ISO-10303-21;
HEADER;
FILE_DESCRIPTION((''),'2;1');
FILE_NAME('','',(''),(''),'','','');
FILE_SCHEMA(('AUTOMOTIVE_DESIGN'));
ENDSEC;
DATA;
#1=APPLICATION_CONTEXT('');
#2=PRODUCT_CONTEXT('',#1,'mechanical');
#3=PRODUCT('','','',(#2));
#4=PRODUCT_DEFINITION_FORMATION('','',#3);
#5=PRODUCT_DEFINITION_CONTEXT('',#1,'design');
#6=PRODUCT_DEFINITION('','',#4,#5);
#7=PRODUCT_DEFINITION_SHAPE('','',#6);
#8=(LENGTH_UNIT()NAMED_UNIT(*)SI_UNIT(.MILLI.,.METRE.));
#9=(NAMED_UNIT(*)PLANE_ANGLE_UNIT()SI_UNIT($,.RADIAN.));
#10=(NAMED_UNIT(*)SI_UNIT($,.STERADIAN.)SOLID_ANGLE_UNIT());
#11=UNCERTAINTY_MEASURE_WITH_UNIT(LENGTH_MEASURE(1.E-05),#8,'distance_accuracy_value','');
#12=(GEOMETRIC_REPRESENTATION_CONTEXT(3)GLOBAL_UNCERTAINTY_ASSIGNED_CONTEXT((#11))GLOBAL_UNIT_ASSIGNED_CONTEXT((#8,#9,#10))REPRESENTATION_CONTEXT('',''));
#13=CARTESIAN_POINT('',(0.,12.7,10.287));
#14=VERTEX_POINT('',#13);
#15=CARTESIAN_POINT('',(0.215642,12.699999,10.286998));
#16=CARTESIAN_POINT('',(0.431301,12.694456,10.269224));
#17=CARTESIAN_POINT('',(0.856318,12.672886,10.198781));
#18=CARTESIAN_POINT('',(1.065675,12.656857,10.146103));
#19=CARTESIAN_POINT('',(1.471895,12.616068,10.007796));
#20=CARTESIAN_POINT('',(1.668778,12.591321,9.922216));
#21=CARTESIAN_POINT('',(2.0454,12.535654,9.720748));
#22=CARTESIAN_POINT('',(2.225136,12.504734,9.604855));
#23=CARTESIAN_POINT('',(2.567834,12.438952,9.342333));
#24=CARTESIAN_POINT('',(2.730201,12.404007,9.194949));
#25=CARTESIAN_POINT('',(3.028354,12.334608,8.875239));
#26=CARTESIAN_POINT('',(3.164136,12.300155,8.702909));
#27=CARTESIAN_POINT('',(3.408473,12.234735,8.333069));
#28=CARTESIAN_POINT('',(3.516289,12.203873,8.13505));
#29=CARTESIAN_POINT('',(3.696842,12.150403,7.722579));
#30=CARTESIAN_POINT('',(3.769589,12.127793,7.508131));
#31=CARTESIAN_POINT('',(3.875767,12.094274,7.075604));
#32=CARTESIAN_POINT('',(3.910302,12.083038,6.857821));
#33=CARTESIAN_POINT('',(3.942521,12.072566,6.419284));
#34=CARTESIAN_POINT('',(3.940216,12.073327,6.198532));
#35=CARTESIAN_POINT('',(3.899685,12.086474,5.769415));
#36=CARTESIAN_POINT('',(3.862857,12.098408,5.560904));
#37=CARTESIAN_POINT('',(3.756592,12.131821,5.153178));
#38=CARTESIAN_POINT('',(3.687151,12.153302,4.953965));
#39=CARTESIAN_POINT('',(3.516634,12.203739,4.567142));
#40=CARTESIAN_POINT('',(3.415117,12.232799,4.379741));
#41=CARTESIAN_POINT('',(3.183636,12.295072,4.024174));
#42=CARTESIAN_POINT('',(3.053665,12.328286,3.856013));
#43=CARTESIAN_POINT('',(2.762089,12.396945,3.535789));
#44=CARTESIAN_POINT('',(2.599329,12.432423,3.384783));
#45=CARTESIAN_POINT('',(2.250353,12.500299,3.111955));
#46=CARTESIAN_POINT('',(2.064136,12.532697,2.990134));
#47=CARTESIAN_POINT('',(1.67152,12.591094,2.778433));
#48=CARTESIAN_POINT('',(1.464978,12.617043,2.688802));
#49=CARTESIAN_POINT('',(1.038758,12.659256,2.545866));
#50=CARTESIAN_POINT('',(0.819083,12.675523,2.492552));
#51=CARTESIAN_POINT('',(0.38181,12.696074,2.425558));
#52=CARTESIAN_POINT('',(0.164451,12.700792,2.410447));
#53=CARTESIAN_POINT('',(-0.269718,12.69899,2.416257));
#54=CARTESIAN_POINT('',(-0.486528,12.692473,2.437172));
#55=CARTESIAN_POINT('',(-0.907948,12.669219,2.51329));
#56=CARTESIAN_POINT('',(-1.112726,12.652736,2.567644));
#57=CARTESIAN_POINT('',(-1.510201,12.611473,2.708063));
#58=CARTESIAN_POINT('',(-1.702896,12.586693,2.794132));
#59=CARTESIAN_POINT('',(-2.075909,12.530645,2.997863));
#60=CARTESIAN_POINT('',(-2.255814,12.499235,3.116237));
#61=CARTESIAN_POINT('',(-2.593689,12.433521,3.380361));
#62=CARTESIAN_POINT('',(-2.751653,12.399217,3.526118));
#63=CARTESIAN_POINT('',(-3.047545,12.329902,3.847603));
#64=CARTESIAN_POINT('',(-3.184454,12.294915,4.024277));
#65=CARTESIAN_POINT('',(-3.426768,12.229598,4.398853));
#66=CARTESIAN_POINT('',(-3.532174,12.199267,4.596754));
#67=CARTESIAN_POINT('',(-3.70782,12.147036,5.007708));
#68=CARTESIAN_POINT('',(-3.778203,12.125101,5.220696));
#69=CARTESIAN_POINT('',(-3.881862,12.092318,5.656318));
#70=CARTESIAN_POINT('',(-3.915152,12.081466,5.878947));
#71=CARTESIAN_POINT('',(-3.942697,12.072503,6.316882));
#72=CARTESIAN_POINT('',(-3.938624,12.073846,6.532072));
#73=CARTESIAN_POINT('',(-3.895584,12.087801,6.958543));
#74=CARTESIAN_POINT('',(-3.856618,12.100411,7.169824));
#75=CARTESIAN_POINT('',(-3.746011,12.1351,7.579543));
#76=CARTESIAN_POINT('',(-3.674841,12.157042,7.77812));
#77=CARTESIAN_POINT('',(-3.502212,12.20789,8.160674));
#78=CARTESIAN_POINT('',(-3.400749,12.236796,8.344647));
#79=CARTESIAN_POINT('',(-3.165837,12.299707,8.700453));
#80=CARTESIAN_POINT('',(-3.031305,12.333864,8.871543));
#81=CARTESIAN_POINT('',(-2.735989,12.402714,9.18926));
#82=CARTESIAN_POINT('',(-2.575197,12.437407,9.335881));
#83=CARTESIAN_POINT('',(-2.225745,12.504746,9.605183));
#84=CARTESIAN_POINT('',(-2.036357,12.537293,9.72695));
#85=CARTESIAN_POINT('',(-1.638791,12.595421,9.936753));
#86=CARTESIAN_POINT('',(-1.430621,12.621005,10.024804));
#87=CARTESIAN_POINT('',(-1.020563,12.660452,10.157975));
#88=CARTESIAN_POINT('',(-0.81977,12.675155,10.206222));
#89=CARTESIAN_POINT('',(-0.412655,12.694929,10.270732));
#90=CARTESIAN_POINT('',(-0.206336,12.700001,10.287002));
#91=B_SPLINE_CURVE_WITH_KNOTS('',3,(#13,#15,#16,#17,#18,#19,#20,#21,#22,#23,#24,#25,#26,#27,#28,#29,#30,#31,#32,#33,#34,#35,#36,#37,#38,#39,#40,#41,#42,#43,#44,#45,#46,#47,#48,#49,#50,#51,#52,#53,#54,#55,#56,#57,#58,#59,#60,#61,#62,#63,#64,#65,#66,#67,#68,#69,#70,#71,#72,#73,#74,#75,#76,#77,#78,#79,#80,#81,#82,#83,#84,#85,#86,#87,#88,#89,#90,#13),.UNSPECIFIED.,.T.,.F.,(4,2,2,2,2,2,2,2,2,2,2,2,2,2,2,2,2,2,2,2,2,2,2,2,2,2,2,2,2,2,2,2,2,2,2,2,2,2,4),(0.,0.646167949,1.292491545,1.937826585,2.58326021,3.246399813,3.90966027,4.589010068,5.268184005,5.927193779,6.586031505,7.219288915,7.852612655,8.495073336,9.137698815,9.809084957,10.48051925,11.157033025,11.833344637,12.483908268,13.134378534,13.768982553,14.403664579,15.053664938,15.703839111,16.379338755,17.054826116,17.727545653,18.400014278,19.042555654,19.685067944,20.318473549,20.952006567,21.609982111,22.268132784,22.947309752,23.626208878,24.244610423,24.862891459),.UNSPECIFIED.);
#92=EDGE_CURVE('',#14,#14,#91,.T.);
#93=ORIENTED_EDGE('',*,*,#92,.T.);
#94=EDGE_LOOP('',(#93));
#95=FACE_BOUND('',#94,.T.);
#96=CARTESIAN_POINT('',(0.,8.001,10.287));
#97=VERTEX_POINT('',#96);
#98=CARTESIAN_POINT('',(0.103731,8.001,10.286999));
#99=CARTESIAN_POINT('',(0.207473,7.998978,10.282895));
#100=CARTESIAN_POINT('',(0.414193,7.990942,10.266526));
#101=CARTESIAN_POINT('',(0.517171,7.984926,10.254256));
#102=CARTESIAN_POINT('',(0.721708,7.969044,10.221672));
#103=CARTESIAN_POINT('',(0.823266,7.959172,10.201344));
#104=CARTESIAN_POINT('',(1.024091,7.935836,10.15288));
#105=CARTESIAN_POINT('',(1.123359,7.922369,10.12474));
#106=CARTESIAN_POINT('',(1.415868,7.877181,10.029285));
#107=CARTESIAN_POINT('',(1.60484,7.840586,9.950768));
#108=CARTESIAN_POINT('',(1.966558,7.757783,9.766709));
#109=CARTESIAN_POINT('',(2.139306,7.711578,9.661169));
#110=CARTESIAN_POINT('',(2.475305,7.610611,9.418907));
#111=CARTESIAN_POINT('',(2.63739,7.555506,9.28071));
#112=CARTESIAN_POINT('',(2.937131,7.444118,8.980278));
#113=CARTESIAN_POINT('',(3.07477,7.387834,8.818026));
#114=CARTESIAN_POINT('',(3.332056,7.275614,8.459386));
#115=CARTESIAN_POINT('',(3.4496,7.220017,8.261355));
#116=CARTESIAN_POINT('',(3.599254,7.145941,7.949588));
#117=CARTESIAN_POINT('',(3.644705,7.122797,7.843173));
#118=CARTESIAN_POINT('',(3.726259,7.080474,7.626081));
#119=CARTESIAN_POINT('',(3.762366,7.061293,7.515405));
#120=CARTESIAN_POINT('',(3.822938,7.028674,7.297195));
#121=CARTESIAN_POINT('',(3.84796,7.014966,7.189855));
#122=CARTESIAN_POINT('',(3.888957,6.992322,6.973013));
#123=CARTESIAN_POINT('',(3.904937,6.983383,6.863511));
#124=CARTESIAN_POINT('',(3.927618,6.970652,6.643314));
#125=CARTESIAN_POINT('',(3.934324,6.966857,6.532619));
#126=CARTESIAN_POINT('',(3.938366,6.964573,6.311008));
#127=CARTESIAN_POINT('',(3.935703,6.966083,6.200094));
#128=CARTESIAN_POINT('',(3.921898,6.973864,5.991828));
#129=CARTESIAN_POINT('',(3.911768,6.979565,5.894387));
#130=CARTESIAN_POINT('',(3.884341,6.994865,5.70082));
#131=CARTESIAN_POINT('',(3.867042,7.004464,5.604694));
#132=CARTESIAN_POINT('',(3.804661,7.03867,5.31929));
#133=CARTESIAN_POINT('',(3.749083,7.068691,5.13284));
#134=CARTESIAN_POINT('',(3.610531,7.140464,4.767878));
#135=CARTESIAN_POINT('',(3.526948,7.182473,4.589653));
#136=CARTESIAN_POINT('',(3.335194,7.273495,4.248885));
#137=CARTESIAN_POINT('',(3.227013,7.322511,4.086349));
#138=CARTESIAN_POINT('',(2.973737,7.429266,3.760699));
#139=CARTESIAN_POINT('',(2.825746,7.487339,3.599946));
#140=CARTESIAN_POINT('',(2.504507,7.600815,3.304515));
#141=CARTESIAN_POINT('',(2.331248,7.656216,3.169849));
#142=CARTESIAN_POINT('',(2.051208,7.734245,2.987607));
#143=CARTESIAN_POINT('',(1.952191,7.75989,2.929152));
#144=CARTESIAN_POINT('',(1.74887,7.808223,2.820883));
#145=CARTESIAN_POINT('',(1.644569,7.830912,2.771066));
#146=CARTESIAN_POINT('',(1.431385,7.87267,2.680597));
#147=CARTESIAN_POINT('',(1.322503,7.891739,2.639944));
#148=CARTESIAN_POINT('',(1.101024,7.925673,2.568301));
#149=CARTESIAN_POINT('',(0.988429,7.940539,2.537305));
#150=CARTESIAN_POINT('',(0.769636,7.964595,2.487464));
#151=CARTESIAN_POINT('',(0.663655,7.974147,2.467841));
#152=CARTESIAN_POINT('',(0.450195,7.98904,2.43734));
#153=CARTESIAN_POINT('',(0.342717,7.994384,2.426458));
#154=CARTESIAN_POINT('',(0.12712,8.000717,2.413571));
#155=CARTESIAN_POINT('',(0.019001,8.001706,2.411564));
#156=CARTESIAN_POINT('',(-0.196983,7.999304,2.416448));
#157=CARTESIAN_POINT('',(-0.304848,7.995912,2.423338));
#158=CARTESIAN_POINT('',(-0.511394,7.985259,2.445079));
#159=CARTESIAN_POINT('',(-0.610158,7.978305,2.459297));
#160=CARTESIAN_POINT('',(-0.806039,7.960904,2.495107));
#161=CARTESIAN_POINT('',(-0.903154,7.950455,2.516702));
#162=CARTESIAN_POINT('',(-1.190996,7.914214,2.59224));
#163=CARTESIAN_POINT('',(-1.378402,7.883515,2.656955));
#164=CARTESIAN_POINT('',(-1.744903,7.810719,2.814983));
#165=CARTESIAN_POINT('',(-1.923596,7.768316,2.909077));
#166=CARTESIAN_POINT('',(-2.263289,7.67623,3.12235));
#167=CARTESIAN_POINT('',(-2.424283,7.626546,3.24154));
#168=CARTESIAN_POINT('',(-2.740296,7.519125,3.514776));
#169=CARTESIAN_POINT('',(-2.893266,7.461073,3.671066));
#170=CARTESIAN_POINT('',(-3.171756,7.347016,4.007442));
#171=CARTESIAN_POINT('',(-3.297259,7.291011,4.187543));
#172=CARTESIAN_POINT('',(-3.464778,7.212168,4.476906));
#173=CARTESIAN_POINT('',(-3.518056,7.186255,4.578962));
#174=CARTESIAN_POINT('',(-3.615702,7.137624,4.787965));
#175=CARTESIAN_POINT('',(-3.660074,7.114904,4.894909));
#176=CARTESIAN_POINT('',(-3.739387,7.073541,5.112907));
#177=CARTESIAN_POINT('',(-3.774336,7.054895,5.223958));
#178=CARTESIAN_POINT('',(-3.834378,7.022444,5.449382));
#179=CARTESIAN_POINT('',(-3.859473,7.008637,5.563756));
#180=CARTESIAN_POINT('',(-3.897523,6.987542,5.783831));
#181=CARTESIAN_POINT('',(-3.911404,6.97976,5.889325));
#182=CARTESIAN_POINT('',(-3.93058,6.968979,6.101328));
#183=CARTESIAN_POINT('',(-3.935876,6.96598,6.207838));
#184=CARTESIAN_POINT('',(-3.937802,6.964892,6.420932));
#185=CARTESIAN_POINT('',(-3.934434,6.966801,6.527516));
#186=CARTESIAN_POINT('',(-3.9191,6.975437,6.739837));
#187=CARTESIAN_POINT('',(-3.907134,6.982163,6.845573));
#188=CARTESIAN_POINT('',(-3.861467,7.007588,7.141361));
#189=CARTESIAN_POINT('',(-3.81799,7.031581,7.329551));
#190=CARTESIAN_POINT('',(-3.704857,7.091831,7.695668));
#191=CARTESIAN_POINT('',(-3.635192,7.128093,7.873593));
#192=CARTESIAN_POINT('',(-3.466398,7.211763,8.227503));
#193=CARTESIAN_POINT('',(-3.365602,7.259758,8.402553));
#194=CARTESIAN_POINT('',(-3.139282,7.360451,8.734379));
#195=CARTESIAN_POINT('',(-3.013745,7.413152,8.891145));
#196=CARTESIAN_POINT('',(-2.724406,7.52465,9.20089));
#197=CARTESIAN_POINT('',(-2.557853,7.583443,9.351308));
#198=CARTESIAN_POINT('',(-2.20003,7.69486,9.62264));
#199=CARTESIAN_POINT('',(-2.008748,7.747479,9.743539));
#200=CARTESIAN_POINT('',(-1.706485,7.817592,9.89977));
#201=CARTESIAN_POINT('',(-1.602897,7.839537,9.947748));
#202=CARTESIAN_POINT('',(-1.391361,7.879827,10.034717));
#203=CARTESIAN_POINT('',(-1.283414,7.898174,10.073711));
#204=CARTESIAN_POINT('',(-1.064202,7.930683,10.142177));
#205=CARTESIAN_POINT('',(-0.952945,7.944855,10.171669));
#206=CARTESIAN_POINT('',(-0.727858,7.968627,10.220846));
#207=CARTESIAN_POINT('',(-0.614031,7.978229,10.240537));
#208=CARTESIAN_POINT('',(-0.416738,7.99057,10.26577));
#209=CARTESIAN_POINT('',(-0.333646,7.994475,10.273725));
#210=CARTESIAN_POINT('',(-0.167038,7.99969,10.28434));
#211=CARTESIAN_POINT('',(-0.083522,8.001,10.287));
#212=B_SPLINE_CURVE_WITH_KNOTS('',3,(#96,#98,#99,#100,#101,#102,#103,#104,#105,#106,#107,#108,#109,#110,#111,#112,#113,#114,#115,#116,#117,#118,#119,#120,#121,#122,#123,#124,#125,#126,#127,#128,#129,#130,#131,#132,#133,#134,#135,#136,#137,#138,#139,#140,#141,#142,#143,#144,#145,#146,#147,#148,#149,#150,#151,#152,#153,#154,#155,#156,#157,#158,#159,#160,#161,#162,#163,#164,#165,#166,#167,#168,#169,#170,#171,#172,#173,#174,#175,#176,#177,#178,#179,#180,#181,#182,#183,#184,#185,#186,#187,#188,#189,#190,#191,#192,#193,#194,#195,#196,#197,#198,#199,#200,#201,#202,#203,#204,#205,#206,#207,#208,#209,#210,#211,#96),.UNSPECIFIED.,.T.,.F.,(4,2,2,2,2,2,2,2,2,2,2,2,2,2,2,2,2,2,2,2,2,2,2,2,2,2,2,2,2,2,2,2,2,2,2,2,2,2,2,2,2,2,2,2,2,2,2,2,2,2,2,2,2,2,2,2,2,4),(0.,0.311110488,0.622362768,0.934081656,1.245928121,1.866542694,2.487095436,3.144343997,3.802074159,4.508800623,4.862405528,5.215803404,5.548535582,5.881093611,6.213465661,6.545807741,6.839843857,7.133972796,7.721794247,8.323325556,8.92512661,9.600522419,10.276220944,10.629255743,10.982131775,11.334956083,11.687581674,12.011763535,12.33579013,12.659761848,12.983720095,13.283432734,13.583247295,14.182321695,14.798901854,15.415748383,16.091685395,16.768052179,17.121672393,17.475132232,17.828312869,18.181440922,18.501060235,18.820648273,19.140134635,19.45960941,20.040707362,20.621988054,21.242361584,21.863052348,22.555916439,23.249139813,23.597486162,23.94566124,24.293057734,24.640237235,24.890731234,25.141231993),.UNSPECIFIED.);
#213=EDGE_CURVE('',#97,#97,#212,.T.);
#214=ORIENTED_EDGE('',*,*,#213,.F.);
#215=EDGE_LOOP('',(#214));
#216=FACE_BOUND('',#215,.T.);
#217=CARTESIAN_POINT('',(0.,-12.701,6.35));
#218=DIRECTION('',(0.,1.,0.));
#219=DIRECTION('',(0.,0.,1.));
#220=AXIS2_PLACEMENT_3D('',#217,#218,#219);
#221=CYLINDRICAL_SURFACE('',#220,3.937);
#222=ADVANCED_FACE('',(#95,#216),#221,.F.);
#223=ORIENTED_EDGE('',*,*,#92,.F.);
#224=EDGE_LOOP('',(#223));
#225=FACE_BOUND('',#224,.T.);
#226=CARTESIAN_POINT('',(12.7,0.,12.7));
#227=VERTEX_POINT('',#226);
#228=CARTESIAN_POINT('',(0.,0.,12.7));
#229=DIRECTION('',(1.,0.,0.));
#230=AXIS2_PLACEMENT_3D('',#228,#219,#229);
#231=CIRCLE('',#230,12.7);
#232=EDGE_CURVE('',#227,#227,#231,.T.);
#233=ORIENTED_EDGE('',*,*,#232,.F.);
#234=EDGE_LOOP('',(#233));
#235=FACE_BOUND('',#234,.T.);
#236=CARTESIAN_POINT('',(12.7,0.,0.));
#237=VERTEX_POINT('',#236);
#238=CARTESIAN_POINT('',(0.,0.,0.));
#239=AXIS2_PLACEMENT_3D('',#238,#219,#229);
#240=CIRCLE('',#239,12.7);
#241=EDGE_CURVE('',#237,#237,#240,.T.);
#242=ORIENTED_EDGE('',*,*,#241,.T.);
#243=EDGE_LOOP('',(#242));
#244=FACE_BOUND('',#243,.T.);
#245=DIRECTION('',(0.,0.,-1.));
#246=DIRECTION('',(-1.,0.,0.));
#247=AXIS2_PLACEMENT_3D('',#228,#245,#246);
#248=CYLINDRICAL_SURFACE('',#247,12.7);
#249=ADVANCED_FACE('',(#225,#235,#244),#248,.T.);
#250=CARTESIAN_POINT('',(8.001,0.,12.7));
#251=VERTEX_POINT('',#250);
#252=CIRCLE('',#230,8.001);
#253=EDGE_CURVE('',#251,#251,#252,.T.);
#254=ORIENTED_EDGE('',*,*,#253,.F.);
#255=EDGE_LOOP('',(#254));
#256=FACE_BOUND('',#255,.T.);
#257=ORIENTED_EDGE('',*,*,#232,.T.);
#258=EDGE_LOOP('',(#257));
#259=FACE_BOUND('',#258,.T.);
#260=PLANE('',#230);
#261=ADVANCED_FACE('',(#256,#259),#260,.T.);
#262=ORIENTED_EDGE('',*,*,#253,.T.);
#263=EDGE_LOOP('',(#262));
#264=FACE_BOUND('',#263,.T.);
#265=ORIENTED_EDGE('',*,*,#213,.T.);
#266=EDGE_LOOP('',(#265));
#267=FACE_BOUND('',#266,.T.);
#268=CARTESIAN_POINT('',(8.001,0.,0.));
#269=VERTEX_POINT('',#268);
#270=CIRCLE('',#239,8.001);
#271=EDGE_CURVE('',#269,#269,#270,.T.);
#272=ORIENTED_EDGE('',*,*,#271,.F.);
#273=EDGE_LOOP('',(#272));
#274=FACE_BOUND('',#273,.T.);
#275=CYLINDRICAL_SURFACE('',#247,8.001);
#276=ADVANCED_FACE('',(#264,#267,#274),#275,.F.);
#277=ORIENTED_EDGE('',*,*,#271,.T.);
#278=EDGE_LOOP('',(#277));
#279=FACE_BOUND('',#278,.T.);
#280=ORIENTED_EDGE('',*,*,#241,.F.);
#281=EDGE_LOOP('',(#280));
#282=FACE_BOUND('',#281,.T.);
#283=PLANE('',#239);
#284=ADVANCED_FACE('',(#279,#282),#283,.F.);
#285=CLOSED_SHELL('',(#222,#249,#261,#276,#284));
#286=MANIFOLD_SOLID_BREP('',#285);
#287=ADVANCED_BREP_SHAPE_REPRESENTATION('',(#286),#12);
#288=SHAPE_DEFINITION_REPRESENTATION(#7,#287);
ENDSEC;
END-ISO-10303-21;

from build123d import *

# Parameters (mm, degrees)
SKETCH1_R               = 12.7
SKETCH1_R_2             = 8.001
BOSS_EXTRUDE1_DEPTH     = 12.7
CUT_EXTRUDE1_REACH      = 33.109
CUT_EXTRUDE1_END_RADIUS = 8.001
SKETCH2_R               = 3.937


with BuildPart() as part:
    # Sketch1 → Boss-Extrude1 (new body)
    with BuildSketch(Plane.XY):
        Circle(SKETCH1_R)
        Circle(SKETCH1_R_2, mode=Mode.SUBTRACT)
    extrude(amount=BOSS_EXTRUDE1_DEPTH)

    # Cut-Extrude1: up to this cylinder (the profile starts outside it)
    cut_extrude1_end = Plane(origin=(0, 0, 6.35), z_dir=(0, 0, -1)) * Cylinder(CUT_EXTRUDE1_END_RADIUS, 83.22, mode=Mode.PRIVATE)
    # Sketch2 → Cut-Extrude1 (cut, up to the surface)
    with BuildSketch(Plane(origin=(0, 12.7, 0), x_dir=(1, 0, 0), z_dir=(0, 1, 0)), mode=Mode.PRIVATE) as cut_extrude1_sk1:
        with Locations(Location((0, -6.35, 0), (0, 0, 270))):
            Circle(SKETCH2_R)
    cut_extrude1_tool1 = extrude(cut_extrude1_sk1.sketch, amount=-CUT_EXTRUDE1_REACH, mode=Mode.PRIVATE) - cut_extrude1_end
    add(cut_extrude1_tool1.solids().sort_by_distance((0, 12.7, 6.35))[0], mode=Mode.SUBTRACT)


solid = part.part
